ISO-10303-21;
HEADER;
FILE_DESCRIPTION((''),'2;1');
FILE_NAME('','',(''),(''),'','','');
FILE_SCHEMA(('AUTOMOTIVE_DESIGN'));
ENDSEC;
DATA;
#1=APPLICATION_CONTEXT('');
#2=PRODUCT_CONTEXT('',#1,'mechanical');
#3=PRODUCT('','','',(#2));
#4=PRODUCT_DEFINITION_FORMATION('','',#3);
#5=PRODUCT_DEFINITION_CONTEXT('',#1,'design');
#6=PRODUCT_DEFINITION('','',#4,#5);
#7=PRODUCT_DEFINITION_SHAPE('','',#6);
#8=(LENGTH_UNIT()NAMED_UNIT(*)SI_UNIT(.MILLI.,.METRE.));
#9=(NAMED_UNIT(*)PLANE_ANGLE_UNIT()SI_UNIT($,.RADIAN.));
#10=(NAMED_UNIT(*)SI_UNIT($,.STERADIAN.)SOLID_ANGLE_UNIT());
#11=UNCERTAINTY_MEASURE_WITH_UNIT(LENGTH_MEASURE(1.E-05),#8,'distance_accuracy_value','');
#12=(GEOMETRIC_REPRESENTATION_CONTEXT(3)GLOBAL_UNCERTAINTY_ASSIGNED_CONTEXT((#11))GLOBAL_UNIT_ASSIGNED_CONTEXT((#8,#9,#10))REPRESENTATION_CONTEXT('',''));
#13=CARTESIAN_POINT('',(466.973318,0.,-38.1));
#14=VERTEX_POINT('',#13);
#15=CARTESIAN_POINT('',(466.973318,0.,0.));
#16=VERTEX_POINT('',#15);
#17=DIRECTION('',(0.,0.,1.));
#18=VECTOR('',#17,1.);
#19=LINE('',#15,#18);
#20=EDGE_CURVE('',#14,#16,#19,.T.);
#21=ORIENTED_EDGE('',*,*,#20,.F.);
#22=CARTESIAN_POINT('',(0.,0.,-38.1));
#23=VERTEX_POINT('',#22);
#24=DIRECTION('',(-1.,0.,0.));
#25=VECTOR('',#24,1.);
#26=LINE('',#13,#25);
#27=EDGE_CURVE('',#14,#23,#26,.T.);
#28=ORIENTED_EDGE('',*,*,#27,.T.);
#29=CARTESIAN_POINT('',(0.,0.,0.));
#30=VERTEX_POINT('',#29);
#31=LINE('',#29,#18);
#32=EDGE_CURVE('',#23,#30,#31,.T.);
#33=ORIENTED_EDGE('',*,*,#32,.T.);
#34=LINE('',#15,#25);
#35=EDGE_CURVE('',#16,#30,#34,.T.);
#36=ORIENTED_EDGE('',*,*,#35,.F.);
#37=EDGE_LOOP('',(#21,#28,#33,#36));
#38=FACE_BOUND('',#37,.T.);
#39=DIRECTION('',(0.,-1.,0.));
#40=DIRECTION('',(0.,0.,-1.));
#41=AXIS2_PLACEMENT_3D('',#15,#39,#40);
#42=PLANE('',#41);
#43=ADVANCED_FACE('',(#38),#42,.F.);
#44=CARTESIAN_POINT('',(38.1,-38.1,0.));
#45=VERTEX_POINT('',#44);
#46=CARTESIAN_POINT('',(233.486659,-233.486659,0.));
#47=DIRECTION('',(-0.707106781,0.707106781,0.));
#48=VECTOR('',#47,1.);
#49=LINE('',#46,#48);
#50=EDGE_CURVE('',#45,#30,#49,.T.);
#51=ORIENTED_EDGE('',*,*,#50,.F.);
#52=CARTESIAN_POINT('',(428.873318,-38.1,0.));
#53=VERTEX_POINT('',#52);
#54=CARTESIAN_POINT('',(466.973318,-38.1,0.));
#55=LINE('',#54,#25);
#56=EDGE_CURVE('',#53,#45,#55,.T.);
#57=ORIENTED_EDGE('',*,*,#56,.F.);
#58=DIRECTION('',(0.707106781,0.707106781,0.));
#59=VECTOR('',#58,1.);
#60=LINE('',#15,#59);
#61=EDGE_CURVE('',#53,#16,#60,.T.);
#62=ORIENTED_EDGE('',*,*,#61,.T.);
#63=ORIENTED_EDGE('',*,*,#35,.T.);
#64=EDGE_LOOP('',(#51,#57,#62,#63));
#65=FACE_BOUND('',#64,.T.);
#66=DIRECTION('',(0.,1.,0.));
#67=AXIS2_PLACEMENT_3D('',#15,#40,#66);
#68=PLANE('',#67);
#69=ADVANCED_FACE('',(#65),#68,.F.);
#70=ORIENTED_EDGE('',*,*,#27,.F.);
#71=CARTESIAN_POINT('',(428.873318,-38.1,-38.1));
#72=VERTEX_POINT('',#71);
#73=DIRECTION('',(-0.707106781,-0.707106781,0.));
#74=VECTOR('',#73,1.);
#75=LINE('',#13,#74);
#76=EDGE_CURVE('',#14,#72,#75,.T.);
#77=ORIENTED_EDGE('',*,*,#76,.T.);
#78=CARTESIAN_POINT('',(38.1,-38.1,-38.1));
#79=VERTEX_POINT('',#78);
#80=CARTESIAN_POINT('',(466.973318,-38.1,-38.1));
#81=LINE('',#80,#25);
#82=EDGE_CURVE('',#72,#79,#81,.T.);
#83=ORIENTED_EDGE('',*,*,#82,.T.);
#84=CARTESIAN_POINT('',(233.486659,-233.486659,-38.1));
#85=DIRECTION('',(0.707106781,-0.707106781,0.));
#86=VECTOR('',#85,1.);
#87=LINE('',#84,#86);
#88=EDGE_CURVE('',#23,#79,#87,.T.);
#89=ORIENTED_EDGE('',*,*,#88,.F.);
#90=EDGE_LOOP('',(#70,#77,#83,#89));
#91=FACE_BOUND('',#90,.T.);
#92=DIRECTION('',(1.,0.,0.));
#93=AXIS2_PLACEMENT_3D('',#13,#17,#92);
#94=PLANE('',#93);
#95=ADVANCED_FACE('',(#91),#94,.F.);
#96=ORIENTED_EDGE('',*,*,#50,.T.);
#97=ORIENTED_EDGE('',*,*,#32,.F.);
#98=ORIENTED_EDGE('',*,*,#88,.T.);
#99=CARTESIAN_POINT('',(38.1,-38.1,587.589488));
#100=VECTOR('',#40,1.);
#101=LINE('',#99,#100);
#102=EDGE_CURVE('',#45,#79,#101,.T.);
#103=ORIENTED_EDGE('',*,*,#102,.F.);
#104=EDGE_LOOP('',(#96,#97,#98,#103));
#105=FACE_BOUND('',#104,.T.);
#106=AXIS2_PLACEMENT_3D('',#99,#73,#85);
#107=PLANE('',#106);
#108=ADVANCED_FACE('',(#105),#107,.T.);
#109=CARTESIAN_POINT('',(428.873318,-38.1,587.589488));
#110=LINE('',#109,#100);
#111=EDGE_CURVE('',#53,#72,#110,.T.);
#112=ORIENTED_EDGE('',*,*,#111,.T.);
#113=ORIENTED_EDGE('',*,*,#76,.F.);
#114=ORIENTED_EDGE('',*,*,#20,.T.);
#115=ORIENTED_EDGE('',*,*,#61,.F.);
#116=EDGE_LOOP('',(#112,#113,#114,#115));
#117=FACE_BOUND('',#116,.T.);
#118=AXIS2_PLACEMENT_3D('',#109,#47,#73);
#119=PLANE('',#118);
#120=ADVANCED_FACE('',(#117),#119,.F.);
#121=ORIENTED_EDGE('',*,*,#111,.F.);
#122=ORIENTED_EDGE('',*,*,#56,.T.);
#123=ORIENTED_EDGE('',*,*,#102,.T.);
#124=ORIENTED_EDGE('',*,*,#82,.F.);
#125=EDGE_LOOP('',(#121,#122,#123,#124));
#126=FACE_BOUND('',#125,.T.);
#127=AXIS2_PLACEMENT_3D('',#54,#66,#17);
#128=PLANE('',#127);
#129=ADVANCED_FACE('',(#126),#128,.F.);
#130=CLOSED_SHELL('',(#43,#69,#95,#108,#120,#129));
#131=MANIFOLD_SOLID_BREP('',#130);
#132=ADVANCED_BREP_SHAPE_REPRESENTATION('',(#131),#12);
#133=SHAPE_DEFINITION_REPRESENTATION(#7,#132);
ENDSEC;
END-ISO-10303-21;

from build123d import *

# Parameters (mm, degrees)
SKETCH1_W               = 38.1
SKETCH1_H               = 38.1
BOSS_EXTRUDE1_DEPTH     = 466.973318299
CUT_EXTRUDE1_DEPTH      = 471.071590296
CUT_EXTRUDE1_DEPTH_BACK = 471.071590296
CUT_EXTRUDE2_DEPTH      = 471.071590296
CUT_EXTRUDE2_DEPTH_BACK = 471.071590296


with BuildPart() as part:
    # Sketch1 → Boss-Extrude1 (new body)
    with BuildSketch(Plane(origin=(0, 0, 0), x_dir=(0, 0, -1), z_dir=(1, 0, 0))):
        with Locations((19.05, -19.05)):
            Rectangle(SKETCH1_W, SKETCH1_H)
    extrude(amount=BOSS_EXTRUDE1_DEPTH)

    # Sketch2 → Cut-Extrude1 (cut, two sides: drawn at the far end of the back side and taken through both)
    with BuildSketch(Plane.XY.offset(-CUT_EXTRUDE1_DEPTH_BACK)):
        Polygon((-947.050030689, -38.1), (0, -38.1), (38.1, -38.1), (0, 0), (-669.665498823, 669.665498823), (-2433.166300963, 1360.809451531), (-2710.550832829, 653.043952708), align=None)
    extrude(amount=CUT_EXTRUDE1_DEPTH + CUT_EXTRUDE1_DEPTH_BACK, mode=Mode.SUBTRACT)

    # Sketch3 → Cut-Extrude2 (cut, two sides: drawn at the far end of the back side and taken through both)
    with BuildSketch(Plane.XY.offset(-CUT_EXTRUDE2_DEPTH_BACK)):
        Polygon((1414.023348988, -38.1), (466.973318299, -38.1), (428.873318299, -38.1), (466.973318299, 0), (1136.638817123, 669.665498823), (2900.139619262, 1360.809451531), (3177.524151128, 653.043952708), align=None)
    extrude(amount=CUT_EXTRUDE2_DEPTH + CUT_EXTRUDE2_DEPTH_BACK, mode=Mode.SUBTRACT)


solid = part.part
